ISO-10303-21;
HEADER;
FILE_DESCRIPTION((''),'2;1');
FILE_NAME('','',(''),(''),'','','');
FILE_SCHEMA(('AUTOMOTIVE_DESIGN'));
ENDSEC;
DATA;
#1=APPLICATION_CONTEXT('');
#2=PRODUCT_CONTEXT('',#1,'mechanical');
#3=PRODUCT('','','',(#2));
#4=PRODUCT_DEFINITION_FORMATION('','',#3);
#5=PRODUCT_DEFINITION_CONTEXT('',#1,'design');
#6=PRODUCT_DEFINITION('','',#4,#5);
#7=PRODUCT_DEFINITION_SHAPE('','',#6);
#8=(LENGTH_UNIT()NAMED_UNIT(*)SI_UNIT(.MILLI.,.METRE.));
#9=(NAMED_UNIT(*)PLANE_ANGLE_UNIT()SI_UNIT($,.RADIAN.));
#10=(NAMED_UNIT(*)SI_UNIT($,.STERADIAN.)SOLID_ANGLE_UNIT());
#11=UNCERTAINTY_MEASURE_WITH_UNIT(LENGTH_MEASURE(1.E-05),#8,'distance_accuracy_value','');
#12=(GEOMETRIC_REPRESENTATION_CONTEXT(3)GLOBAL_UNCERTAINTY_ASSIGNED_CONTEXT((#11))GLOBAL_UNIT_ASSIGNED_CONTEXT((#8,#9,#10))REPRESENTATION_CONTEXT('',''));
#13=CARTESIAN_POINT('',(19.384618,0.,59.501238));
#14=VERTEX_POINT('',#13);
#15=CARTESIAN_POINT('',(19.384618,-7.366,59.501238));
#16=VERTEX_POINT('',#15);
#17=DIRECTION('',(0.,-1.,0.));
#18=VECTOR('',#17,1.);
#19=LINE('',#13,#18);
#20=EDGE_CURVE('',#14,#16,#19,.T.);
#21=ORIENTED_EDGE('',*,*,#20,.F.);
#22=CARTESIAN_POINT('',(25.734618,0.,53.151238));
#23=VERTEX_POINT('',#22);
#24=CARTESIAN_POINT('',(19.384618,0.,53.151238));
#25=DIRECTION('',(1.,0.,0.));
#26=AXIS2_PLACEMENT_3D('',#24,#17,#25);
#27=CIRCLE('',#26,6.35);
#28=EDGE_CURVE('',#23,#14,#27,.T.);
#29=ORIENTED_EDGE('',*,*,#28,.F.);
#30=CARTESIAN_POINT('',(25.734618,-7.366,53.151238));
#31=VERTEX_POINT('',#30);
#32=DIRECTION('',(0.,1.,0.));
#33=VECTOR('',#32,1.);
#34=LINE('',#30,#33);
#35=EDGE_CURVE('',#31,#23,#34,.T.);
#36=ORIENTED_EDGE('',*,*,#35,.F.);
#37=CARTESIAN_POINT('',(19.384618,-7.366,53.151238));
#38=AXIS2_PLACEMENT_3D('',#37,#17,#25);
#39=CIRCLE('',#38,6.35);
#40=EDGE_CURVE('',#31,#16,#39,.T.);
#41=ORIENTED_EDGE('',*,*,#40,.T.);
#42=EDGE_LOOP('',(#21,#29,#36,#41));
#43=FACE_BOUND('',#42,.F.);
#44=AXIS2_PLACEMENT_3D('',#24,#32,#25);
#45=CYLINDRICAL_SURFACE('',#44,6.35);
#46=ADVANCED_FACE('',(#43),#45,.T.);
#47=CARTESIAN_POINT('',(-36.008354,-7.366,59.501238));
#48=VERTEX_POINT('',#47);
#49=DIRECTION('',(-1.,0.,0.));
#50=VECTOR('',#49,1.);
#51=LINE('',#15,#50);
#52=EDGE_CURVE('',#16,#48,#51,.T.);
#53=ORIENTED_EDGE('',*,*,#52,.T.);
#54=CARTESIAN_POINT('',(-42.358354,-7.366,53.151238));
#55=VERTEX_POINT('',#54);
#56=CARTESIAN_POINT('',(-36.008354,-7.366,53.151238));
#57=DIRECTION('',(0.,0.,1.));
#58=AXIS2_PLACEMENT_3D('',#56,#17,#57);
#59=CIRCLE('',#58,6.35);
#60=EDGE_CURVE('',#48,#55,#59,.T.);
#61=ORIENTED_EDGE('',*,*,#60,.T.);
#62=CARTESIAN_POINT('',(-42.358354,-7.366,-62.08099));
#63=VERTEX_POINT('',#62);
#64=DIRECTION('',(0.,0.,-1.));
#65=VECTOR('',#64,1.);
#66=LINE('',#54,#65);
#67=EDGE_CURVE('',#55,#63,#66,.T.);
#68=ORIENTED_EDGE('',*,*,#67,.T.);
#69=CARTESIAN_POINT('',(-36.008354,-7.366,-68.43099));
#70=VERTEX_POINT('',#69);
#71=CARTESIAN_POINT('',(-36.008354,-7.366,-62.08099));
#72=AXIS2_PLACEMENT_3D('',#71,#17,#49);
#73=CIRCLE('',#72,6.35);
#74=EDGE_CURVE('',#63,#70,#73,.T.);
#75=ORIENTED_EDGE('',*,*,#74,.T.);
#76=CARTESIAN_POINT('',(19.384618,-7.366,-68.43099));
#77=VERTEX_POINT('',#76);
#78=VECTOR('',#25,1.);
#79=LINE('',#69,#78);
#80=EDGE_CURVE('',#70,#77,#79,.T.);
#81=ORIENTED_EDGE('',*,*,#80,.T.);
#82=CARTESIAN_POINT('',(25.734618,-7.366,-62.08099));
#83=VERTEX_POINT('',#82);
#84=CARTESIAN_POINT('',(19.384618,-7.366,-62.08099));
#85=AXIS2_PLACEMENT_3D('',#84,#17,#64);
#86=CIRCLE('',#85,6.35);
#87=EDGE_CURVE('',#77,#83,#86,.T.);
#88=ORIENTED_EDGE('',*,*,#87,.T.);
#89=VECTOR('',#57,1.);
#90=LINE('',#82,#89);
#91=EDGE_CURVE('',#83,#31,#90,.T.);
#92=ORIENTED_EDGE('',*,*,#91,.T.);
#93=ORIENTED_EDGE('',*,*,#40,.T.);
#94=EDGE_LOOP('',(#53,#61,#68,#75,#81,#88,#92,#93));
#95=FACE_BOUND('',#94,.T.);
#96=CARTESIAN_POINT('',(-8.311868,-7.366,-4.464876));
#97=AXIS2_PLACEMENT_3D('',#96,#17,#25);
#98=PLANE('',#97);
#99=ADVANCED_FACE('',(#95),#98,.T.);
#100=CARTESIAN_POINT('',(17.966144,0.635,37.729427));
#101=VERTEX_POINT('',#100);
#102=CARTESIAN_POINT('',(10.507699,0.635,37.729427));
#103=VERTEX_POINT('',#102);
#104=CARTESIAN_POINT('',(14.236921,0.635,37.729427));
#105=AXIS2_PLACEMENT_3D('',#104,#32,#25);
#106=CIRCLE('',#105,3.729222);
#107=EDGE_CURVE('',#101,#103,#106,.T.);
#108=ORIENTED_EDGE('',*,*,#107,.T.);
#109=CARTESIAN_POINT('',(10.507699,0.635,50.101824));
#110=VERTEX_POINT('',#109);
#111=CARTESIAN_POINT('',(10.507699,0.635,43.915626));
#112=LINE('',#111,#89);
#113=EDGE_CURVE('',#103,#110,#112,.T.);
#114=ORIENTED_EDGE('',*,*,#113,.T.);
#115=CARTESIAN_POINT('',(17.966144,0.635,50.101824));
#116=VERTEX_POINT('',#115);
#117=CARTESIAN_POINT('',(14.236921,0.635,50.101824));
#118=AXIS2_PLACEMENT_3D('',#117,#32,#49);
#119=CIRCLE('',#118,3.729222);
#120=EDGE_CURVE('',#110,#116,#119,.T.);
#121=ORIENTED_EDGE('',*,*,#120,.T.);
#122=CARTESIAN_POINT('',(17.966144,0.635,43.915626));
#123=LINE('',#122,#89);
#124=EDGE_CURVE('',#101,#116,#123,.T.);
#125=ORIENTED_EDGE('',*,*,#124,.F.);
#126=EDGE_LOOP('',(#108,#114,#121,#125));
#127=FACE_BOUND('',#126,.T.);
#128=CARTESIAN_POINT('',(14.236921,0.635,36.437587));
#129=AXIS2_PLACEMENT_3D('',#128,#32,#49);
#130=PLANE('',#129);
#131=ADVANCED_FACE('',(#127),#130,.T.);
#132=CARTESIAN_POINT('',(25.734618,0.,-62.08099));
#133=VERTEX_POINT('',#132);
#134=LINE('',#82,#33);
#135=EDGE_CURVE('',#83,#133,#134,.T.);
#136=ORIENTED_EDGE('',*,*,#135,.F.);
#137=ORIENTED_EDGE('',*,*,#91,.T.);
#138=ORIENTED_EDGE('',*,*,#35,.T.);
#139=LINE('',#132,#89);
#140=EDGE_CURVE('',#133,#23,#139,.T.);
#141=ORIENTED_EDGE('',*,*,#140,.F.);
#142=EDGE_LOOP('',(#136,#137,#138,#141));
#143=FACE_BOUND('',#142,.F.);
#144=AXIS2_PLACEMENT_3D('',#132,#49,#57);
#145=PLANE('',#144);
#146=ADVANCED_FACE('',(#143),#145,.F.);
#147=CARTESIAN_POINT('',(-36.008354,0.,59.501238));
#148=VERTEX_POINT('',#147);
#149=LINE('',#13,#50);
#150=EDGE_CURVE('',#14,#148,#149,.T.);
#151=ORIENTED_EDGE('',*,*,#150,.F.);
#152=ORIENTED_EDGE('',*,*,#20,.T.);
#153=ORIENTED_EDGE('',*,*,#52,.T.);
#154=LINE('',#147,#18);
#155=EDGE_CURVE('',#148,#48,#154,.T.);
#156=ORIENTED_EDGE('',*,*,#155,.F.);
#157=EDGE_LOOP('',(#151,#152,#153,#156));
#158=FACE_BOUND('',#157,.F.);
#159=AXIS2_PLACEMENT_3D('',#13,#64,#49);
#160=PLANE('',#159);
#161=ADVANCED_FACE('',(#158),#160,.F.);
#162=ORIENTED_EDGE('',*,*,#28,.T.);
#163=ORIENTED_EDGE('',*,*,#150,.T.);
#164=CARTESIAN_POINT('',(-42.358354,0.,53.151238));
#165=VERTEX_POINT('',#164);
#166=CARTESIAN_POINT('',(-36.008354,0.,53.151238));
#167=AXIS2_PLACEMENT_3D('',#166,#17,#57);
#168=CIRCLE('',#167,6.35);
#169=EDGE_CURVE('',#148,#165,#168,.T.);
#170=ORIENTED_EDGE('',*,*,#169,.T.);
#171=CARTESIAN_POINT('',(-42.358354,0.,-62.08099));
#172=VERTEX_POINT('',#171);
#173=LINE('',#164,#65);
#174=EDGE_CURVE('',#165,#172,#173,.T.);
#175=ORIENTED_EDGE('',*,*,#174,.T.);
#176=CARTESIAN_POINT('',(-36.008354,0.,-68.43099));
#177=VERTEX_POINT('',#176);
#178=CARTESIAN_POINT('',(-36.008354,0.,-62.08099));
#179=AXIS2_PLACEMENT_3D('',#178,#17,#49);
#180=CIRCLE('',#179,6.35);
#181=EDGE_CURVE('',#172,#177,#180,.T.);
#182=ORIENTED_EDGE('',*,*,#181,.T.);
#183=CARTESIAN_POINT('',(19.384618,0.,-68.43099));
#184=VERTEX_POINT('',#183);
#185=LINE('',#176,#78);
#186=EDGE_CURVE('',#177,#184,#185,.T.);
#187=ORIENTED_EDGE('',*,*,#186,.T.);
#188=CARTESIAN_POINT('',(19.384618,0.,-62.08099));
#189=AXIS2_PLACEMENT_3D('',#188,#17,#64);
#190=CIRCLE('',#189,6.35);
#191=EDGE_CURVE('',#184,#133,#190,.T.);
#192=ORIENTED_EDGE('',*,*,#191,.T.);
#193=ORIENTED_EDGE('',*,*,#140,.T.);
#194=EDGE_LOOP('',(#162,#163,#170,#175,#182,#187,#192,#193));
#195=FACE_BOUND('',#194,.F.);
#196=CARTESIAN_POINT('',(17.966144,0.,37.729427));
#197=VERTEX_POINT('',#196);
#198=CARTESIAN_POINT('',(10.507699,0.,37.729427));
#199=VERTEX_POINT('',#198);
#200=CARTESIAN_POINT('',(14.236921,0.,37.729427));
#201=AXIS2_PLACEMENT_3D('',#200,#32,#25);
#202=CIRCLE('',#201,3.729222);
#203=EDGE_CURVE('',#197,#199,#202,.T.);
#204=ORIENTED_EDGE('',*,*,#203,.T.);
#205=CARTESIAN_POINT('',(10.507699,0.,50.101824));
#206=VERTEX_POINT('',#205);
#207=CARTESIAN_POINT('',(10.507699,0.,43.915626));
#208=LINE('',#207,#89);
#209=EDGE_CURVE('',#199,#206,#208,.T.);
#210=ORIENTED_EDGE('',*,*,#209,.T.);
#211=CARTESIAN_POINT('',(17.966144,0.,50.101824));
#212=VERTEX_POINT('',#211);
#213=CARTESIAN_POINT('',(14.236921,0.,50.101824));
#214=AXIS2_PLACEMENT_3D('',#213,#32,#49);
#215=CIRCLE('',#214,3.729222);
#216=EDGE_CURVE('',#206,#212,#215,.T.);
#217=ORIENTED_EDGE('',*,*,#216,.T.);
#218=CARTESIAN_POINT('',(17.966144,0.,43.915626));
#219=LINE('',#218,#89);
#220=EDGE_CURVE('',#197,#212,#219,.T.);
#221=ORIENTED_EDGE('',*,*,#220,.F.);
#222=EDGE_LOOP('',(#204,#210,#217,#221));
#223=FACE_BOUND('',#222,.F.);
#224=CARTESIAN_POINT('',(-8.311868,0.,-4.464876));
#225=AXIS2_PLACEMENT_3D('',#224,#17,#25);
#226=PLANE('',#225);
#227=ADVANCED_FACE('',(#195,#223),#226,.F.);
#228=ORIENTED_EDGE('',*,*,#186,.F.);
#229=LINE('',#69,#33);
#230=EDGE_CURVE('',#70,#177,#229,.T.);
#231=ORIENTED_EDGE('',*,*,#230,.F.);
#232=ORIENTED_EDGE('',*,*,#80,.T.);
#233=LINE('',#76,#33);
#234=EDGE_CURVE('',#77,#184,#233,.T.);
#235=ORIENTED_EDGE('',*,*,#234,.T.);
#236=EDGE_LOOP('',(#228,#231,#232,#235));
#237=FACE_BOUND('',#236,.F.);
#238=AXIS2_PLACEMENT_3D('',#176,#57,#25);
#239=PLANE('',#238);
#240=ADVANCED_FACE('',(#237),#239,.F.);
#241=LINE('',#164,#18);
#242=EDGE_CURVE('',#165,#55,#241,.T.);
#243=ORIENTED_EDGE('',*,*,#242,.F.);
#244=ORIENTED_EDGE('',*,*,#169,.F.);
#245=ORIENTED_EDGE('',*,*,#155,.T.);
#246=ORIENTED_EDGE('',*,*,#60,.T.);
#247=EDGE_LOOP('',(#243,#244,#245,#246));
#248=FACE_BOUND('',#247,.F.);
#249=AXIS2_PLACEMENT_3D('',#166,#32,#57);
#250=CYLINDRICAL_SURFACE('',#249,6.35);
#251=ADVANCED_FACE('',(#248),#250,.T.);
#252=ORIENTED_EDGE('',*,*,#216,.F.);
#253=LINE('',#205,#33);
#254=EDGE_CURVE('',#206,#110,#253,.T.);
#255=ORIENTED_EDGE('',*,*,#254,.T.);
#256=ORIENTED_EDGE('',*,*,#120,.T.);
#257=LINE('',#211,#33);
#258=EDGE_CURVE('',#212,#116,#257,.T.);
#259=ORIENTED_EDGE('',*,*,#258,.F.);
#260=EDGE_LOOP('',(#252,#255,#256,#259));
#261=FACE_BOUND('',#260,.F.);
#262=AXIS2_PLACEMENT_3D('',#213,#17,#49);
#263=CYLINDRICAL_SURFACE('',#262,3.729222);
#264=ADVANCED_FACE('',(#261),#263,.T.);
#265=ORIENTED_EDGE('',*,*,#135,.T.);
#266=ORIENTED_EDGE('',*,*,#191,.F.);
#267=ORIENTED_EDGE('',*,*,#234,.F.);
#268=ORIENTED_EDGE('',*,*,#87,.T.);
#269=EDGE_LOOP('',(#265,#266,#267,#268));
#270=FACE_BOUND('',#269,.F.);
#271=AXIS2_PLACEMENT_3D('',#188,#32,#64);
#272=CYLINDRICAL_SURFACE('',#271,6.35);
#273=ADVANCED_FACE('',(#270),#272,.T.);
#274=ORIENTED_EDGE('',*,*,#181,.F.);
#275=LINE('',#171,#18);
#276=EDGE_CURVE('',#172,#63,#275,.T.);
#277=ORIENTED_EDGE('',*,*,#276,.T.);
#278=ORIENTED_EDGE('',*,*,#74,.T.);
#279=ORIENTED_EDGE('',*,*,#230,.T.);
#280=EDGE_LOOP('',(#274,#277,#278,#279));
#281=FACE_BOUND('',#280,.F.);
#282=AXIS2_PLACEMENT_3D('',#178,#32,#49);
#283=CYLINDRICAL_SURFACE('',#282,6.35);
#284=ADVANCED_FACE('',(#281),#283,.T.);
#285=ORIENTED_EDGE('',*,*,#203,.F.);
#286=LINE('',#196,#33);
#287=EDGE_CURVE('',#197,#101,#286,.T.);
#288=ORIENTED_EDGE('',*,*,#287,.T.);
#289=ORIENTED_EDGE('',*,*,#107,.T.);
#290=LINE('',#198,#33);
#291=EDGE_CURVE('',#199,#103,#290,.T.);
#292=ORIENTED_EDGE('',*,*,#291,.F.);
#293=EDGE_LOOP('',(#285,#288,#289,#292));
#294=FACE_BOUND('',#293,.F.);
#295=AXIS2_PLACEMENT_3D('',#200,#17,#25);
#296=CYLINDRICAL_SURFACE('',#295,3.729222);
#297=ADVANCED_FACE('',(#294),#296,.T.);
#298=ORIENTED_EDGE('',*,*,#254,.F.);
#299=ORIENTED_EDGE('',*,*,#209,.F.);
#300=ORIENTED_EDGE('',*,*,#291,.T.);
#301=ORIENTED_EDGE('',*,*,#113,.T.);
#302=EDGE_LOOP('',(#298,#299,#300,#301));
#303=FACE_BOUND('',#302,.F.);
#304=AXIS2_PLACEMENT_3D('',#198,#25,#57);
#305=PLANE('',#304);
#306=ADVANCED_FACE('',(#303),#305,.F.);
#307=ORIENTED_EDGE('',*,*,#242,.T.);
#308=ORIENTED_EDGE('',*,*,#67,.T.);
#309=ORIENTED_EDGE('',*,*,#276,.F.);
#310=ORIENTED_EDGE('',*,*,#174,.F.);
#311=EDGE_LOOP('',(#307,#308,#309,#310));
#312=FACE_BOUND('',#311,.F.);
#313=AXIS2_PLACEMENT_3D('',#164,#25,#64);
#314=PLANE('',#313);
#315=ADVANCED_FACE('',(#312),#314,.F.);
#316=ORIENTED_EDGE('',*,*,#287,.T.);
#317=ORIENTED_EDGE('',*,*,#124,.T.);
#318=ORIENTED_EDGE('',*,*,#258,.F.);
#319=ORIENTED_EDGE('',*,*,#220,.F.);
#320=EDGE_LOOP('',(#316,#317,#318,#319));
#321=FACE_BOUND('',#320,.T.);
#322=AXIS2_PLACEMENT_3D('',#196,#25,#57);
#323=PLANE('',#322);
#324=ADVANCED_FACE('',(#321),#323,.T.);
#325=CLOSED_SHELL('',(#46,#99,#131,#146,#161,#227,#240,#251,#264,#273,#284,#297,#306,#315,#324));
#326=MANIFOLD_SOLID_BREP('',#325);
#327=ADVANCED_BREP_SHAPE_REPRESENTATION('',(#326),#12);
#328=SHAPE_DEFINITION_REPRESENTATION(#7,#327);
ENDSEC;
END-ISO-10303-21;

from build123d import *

# Parameters (mm, degrees)
F2_DEPTH = 7.366
F3_W     = 7.4584446847
F3_H     = 12.3723968863
F4_DEPTH = 0.635
F6_DEPTH = 0.635
F7_R     = 1.3168928059
F8_DEPTH = 1.27


with BuildPart() as f2:
    # F1 (on face) → F2 (new body)
    with BuildSketch(Plane.XZ):
        with BuildLine():
            ThreePointArc((25.7346183062, 53.1512381673), (23.8747463667, 57.6413662278), (19.3846183062, 59.5012381673))
            Line((19.3846183062, 59.5012381673), (-36.008353734, 59.5012381673))
            ThreePointArc((-36.008353734, 59.5012381673), (-40.4984817946, 57.6413662278), (-42.358353734, 53.1512381673))
            Line((-42.358353734, 53.1512381673), (-42.358353734, -62.0809899807))
            ThreePointArc((-42.358353734, -62.0809899807), (-40.4984817946, -66.5711180412), (-36.008353734, -68.4309899807))
            Line((-36.008353734, -68.4309899807), (19.3846183062, -68.4309899807))
            ThreePointArc((19.3846183062, -68.4309899807), (23.8747463667, -66.5711180412), (25.7346183062, -62.0809899807))
            Line((25.7346183062, -62.0809899807), (25.7346183062, 53.1512381673))
        make_face()
    extrude(amount=F2_DEPTH)

    # F3 (on face) → F4 (join)
    with BuildSketch(Plane(origin=(0, 0, 0), x_dir=(-1, 0, 0), z_dir=(0, 1, 0))):
        with Locations((-14.2369214445, 43.9156256616)):
            Rectangle(F3_W, F3_H)
    extrude(amount=F4_DEPTH)

    # F5 (on face) → F6 (join)
    with BuildSketch(Plane(origin=(0, 0, 0), x_dir=(-1, 0, 0), z_dir=(0, 1, 0))):
        with BuildLine():
            ThreePointArc((-17.9661437869, 37.7294272184), (-14.2369214445, 34.0002048761), (-10.5076991022, 37.7294272184))
            Line((-10.5076991022, 37.7294272184), (-17.9661437869, 37.7294272184))
        make_face()
        with BuildLine():
            Line((-17.9661437869, 50.1018241048), (-10.5076991022, 50.1018241048))
            ThreePointArc((-10.5076991022, 50.1018241048), (-14.2369214445, 53.8310464472), (-17.9661437869, 50.1018241048))
        make_face()
    extrude(amount=F6_DEPTH)

    # F7 (on face) → F8 (join)
    with BuildSketch(Plane(origin=(0, 0, 0), x_dir=(-1, 0, 0), z_dir=(0, 1, 0))):
        with BuildLine():
            ThreePointArc((-19.3846183062, 59.5012381673), (-23.8747463667, 57.6413662278), (-25.7346183062, 53.1512381673))
            Line((-25.7346183062, 53.1512381673), (-25.7346183062, -62.0809899807))
            ThreePointArc((-25.7346183062, -62.0809899807), (-23.8747463667, -66.5711180412), (-19.3846183062, -68.4309899807))
            Line((-19.3846183062, -68.4309899807), (36.008353734, -68.4309899807))
            ThreePointArc((36.008353734, -68.4309899807), (40.4984817946, -66.5711180412), (42.358353734, -62.0809899807))
            Line((42.358353734, -62.0809899807), (42.358353734, 53.1512381673))
            ThreePointArc((42.358353734, 53.1512381673), (40.4984817946, 57.6413662278), (36.008353734, 59.5012381673))
            Line((36.008353734, 59.5012381673), (-19.3846183062, 59.5012381673))
        make_face()
        with BuildLine():
            Line((-10.5076991022, 50.1018241048), (-10.5076991022, 37.7294272184))
            ThreePointArc((-10.5076991022, 37.7294272184), (-14.2369214445, 34.0002048761), (-17.9661437869, 37.7294272184))
            Line((-17.9661437869, 37.7294272184), (-17.9661437869, 50.1018241048))
            ThreePointArc((-17.9661437869, 50.1018241048), (-14.2369214445, 53.8310464472), (-10.5076991022, 50.1018241048))
        make_face(mode=Mode.SUBTRACT)
        with Locations((-6.3106212765, 47.3092123866)):
            Circle(F7_R, mode=Mode.SUBTRACT)
        with Locations((-6.3106212765, 47.3092123866)):
            Circle(F7_R)
    extrude(amount=-F8_DEPTH)


solid = f2.part
